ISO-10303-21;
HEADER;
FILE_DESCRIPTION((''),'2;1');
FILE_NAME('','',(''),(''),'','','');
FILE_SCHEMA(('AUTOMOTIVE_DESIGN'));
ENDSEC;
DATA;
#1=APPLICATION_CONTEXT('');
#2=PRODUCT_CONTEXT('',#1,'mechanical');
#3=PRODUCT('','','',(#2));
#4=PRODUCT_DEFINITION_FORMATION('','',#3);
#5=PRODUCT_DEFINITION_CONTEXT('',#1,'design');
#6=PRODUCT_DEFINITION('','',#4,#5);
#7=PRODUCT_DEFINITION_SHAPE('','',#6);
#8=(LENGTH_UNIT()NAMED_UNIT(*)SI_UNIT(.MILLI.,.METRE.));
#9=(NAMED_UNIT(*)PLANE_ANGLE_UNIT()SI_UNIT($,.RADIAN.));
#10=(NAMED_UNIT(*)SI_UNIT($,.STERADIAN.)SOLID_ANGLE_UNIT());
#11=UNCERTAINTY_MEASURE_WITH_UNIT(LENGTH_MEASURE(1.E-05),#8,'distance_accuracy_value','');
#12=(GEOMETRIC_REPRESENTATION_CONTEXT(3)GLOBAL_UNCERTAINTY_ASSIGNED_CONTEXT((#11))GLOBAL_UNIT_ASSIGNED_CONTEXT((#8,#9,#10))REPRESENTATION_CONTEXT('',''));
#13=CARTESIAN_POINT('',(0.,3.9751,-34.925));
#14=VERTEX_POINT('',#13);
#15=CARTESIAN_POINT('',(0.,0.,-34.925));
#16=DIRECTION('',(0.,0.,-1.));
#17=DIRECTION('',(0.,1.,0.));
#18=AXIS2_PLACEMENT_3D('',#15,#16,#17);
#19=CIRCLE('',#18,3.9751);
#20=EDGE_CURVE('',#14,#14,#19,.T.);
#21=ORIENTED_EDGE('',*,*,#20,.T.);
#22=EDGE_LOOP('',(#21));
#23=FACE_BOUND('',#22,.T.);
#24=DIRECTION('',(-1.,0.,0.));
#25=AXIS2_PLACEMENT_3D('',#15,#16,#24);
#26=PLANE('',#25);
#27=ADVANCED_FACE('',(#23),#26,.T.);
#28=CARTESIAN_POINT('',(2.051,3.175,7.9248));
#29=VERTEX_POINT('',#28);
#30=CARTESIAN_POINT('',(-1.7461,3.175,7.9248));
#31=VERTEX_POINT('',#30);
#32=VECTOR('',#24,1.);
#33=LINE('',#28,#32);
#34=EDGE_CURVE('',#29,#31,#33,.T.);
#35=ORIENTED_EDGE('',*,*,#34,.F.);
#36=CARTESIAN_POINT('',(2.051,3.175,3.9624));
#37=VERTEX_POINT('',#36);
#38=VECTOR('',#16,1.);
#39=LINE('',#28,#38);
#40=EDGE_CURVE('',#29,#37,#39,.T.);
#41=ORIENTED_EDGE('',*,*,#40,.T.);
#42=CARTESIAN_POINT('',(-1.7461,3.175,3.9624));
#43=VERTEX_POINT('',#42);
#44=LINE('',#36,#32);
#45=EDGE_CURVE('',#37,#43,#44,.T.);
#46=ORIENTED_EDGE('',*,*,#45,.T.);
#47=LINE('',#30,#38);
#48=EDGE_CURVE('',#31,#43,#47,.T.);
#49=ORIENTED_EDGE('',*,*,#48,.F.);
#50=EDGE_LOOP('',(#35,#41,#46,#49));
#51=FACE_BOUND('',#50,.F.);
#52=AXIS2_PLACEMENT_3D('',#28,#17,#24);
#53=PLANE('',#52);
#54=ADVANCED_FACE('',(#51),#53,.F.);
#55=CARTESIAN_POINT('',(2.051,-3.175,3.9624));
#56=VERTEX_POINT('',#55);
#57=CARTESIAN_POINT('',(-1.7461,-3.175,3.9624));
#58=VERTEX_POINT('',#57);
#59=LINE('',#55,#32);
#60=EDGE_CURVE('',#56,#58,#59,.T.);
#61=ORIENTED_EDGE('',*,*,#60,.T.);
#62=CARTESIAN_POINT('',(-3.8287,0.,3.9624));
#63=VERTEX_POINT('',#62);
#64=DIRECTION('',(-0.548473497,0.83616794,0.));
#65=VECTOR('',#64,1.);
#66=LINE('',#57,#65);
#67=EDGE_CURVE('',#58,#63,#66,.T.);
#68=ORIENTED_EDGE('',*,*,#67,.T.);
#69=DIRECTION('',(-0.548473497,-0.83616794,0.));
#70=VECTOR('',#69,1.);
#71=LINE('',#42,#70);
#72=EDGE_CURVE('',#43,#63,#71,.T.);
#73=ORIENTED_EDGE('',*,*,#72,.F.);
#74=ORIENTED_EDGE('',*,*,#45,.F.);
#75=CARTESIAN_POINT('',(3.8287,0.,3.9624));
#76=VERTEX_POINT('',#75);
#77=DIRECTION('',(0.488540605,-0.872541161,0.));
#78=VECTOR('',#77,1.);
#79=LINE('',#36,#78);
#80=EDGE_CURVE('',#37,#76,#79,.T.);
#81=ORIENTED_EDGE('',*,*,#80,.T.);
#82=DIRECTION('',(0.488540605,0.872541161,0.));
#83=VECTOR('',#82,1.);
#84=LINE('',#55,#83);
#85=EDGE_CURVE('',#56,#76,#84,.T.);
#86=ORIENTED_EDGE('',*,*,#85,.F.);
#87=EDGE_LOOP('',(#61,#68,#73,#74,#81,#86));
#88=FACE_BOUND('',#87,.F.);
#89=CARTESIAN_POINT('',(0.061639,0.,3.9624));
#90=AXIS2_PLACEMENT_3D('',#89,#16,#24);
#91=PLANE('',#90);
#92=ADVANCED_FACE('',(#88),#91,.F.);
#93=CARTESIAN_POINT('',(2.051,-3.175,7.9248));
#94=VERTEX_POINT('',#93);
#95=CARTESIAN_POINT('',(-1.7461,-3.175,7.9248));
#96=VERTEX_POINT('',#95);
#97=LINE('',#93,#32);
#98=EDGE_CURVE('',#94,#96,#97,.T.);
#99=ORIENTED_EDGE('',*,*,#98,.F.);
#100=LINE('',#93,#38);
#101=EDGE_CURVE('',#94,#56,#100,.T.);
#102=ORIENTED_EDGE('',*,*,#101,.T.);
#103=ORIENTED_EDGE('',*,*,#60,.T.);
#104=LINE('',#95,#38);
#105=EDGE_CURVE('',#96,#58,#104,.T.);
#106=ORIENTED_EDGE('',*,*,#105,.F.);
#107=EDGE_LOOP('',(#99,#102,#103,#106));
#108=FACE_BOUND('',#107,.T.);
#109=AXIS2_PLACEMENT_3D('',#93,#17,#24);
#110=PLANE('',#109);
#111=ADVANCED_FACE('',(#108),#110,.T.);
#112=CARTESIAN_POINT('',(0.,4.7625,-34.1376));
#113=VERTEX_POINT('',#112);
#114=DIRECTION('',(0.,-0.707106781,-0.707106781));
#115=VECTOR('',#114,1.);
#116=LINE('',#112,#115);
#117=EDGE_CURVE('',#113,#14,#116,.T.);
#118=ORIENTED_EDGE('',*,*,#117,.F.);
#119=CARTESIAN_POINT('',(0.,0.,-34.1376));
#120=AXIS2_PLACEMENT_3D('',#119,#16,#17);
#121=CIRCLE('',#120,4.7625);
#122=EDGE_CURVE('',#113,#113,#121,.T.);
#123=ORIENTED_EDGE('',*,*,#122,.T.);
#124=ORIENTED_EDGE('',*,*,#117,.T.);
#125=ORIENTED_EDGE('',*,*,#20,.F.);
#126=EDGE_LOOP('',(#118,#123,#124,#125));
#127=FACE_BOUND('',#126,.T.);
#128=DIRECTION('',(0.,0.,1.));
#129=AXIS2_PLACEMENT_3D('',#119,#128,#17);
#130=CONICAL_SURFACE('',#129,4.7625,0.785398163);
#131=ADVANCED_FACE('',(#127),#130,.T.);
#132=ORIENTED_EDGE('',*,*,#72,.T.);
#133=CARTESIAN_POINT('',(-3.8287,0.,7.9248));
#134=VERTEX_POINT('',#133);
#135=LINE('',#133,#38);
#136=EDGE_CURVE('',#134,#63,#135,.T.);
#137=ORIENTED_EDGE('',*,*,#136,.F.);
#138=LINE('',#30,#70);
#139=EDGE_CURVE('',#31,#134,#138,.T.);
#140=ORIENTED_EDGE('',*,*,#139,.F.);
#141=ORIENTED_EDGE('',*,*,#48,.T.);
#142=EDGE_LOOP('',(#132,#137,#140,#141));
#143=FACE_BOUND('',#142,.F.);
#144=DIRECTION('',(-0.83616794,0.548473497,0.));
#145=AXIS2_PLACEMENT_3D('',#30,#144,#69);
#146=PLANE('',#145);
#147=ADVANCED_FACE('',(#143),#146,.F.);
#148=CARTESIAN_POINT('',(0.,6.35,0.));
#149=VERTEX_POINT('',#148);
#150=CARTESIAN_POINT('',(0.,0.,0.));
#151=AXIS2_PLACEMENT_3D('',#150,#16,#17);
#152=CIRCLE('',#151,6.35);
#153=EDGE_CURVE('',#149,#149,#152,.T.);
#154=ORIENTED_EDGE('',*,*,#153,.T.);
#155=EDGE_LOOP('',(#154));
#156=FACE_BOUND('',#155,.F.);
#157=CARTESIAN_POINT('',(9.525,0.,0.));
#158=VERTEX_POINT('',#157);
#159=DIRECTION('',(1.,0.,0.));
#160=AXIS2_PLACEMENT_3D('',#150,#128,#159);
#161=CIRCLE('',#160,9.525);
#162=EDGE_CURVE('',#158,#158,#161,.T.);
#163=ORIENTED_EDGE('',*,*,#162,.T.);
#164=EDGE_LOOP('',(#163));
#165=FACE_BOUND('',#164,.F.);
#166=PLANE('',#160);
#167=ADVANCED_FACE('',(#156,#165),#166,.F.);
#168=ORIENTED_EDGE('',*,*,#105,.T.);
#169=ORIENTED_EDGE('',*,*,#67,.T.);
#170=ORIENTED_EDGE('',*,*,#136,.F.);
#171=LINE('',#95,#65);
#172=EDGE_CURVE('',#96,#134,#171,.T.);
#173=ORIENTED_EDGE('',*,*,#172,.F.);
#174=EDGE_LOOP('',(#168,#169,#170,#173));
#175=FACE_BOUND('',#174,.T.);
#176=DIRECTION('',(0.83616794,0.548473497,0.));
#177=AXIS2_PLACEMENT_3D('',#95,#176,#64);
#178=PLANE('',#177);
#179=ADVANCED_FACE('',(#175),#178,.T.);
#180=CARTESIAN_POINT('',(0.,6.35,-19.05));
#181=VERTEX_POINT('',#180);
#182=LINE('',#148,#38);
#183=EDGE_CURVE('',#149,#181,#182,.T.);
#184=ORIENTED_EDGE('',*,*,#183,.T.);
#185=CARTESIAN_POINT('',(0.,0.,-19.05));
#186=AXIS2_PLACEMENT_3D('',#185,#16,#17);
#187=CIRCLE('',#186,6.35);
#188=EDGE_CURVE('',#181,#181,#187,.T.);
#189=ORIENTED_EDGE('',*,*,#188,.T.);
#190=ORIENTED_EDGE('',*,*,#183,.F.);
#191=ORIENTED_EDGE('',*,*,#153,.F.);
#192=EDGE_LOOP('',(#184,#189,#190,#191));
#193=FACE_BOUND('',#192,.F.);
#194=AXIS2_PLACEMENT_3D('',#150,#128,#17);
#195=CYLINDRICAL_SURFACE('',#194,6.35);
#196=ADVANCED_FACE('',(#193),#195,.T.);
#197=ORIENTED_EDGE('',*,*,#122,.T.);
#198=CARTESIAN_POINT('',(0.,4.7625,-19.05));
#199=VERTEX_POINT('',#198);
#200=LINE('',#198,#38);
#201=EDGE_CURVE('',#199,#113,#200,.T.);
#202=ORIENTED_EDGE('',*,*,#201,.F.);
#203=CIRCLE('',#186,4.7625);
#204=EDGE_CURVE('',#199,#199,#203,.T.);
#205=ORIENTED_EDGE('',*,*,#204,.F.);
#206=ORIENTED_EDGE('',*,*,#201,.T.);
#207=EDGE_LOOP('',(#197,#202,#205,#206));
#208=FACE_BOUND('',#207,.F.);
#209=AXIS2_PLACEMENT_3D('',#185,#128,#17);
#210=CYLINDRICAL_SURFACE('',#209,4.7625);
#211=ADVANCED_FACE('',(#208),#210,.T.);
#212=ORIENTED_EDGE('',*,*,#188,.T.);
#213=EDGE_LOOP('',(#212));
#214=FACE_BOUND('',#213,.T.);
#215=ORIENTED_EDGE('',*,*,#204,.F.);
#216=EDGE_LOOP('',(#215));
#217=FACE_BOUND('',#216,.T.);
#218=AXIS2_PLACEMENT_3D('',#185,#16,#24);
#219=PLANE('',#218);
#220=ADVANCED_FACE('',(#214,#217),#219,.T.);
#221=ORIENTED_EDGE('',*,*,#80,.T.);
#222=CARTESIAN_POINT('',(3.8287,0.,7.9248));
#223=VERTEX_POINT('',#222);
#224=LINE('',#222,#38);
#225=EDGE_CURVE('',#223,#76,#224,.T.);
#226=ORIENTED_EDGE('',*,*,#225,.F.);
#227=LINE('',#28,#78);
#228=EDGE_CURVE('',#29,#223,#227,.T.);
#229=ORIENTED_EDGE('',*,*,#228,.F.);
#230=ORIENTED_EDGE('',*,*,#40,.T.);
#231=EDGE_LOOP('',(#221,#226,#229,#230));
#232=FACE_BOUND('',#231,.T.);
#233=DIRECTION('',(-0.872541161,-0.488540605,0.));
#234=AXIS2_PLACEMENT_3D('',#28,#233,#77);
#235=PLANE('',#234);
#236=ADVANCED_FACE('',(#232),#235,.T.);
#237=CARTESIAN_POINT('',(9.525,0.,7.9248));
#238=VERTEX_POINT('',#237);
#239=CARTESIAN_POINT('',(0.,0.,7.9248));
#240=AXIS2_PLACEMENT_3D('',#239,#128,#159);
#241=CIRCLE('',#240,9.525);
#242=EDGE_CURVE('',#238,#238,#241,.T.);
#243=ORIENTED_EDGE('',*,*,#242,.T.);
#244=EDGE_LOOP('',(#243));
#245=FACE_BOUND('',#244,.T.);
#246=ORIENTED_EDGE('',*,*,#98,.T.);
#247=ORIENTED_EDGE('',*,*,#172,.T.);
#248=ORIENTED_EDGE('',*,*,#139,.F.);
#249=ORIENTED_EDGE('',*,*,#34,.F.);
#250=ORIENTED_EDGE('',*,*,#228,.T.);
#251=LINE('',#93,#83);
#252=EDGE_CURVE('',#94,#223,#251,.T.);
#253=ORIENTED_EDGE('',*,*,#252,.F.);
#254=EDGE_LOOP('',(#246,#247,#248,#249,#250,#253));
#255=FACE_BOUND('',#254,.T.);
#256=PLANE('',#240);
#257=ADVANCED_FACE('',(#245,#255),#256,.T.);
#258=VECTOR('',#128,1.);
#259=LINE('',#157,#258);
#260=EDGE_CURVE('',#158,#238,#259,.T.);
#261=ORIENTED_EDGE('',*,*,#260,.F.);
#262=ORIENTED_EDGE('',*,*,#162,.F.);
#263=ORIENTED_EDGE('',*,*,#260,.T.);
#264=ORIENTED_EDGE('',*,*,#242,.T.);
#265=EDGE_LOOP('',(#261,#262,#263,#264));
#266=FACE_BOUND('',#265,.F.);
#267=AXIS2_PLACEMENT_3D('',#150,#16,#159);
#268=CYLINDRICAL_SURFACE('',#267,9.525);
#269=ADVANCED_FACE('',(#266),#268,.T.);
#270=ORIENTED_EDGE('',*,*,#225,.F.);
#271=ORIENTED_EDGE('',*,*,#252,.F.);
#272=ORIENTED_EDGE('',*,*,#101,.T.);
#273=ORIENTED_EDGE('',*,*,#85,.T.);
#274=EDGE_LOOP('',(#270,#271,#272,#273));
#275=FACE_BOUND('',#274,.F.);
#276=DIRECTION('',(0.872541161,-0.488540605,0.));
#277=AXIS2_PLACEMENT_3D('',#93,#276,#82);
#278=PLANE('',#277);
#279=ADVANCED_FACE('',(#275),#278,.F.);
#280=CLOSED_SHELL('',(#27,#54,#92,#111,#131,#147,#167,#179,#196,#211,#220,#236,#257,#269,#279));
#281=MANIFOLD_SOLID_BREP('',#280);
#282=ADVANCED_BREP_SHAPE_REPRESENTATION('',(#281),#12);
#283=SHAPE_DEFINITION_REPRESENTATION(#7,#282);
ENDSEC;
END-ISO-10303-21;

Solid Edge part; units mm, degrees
sketch "Sketch1" plane through (0, 0, 0) normal (0, 0, 1) x (1, 0, 0)
  circle A0 centre (0, 0) radius 9.525
  dimension "D1" = 19.05
extrude "Protrusion1" add sketch "Sketch1" along normal blind 7.9248
sketch "Sketch2" plane through (0, 0, 0) normal (0, 0, -1) x (0, 1, 0)
  circle A0 centre (0, 0) radius 6.35
  dimension "D1" = 12.7
extrude "Protrusion2" add sketch "Sketch2" along normal blind 19.05
sketch "Sketch3" plane through (0, 0, -19.05) normal (0, 0, -1) x (0, 1, 0)
  circle A0 centre (0, 0) radius 4.7625
  dimension "D1" = 9.525
extrude "Protrusion3" add sketch "Sketch3" along normal blind 15.875
sketch "Sketch4" plane through (0, 0, 7.9248) normal (0, 0, 1) x (0, 1, 0)
  line L0 (-3.175, 1.7461) -> (0, 3.8287)
  line L1 (-3.175, -2.051) -> (-3.175, 1.7461)
  line L2 (-3.175, -2.051) -> (0, -3.8287)
  line L3 (3.175, -2.051) -> (0, -3.8287)
  line L4 (3.175, -2.051) -> (3.175, 1.7461)
  line L5 (3.175, 1.7461) -> (0, 3.8287)
  dimension "D1" = 6.35
extrude "Cutout1" cut sketch "Sketch4" against normal blind 3.9624
chamfer "Chamfer1" distance 0.7874 angle 45 1 edges at (0, -4.7625, -34.925)
properties part number "153181"
